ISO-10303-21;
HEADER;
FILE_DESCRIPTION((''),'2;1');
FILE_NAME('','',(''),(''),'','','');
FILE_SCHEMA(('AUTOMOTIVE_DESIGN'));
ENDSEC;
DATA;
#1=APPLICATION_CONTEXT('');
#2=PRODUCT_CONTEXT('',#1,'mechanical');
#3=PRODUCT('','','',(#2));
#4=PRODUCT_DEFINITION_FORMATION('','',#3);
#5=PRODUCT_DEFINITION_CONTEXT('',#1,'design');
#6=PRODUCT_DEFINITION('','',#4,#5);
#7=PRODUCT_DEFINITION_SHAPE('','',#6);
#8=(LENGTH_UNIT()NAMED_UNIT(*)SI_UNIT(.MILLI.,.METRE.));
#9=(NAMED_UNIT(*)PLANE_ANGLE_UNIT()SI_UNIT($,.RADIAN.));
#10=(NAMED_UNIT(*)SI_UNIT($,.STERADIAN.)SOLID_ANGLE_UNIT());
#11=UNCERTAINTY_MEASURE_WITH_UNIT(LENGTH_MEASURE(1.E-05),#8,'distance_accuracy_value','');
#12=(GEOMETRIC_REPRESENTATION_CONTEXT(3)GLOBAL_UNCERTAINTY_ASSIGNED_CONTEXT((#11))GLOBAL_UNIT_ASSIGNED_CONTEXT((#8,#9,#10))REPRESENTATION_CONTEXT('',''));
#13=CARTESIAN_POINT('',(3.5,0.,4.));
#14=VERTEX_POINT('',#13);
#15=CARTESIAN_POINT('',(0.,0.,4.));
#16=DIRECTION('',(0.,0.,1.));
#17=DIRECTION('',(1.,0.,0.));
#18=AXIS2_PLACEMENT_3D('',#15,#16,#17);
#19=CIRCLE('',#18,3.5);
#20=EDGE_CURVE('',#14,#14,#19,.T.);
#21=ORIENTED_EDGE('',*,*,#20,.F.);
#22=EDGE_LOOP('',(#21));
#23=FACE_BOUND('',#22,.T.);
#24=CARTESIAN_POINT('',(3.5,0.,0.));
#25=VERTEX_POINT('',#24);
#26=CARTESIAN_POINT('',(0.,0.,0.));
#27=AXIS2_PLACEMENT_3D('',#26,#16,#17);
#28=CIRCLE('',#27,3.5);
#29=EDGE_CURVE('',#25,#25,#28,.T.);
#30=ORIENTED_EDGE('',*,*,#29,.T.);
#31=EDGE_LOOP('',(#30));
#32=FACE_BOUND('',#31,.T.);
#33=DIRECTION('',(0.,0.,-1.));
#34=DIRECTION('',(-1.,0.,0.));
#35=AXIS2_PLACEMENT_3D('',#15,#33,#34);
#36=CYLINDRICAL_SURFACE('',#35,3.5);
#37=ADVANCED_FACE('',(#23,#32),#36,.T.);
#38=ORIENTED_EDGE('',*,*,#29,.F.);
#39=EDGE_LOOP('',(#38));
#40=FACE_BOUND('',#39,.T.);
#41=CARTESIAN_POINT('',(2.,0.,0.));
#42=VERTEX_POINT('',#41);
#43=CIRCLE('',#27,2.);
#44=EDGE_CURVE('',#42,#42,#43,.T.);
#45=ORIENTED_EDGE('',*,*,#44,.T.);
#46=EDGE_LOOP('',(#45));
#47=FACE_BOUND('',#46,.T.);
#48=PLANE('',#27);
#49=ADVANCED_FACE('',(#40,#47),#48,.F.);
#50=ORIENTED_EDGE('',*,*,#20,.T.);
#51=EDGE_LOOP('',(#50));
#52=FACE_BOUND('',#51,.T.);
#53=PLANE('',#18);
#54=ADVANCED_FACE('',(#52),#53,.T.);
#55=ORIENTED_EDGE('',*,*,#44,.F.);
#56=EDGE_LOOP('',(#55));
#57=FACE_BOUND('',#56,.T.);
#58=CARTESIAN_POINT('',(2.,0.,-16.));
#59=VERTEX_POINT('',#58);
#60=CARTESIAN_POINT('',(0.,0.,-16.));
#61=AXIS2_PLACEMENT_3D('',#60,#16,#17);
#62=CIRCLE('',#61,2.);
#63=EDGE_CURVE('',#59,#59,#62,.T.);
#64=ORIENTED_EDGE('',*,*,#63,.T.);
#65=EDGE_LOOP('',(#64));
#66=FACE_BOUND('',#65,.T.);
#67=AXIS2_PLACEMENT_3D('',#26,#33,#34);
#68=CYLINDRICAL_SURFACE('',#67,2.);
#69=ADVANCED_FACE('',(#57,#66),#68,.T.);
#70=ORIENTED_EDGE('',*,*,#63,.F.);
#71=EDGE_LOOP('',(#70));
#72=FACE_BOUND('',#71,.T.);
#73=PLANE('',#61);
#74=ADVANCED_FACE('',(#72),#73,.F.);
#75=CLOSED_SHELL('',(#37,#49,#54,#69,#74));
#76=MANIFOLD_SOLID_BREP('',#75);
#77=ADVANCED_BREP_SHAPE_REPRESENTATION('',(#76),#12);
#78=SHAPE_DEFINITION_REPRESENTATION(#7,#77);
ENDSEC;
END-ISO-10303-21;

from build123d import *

# Parameters (mm, degrees)
NOMINAL_SHANK_START    = -16
SKETCH_NOMINAL_SHANK_R = 2
NOMINAL_SHANK_DEPTH    = 16
SKETCH_HEAD_R          = 3.5
HEAD_DEPTH             = 4


with BuildPart() as part:
    # Sketch_Nominal_shank → Nominal_shank (new body)
    with BuildSketch(Plane.XY.offset(NOMINAL_SHANK_START)):
        Circle(SKETCH_NOMINAL_SHANK_R)
    extrude(amount=NOMINAL_SHANK_DEPTH)

    # Sketch_Head → Head (add)
    with BuildSketch(Plane.XY):
        Circle(SKETCH_HEAD_R)
    extrude(amount=HEAD_DEPTH)


solid = part.part
